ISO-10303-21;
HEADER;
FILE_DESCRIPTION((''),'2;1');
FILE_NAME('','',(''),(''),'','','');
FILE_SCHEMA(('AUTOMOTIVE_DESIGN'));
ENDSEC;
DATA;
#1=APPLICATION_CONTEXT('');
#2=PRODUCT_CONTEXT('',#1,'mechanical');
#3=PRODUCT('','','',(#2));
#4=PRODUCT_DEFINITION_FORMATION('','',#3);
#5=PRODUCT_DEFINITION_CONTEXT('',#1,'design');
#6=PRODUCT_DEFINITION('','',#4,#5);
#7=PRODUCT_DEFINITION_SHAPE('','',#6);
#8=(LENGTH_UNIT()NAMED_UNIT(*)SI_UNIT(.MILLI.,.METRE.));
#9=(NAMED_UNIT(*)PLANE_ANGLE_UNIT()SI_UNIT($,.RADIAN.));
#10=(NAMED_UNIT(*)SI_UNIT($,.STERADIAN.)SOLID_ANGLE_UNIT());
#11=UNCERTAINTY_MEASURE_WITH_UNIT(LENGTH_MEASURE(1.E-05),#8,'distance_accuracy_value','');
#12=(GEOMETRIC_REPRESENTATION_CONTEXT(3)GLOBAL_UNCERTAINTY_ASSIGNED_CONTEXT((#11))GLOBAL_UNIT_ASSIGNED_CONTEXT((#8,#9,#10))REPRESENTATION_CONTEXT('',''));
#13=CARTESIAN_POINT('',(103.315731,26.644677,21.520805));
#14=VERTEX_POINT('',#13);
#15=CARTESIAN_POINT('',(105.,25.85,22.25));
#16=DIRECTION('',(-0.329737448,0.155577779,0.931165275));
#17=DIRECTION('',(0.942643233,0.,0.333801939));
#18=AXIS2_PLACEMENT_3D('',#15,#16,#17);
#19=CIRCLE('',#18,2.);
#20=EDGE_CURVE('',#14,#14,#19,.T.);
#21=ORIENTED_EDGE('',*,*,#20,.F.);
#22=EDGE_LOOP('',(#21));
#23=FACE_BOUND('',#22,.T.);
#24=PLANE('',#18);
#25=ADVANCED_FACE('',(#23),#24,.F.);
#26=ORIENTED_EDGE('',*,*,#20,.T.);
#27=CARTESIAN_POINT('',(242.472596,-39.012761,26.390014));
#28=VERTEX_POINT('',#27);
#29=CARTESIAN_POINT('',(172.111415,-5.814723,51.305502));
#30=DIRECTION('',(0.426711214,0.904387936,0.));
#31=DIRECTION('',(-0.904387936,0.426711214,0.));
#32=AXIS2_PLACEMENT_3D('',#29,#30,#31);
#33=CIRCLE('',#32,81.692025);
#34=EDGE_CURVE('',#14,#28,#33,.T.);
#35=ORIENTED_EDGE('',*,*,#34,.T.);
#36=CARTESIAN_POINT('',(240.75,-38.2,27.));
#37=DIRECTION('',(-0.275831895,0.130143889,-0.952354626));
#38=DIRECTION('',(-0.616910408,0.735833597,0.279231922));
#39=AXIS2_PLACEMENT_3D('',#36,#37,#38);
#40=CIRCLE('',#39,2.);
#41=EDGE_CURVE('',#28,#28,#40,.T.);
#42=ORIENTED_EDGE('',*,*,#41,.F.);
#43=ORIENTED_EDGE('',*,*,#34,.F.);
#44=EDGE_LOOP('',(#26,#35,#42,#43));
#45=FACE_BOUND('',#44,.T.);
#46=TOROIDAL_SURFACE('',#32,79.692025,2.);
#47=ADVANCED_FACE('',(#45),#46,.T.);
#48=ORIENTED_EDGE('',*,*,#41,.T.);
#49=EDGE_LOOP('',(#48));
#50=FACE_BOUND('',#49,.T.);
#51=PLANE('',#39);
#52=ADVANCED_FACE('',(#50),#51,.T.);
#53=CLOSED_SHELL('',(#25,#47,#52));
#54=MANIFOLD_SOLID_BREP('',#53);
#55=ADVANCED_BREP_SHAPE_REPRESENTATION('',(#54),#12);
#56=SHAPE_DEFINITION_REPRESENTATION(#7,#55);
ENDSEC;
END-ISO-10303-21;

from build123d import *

# Parameters (mm, degrees)
SWEEP1_PROFILE_R = 2


with BuildPart() as part:
    # Sweep1: sweep along a path in Sketch2
    with BuildLine(Plane(origin=(29.094495803, 61.663978223, 0), x_dir=(0.9043879364804229, -0.426711214228877, 0), z_dir=(0.426711214228877, 0.9043879364804229, 0))) as sweep1_path:
        ThreePointArc((83.930248443, -22.25), (155.616082836, -130.957654098), (234.031764091, -27))
    # Sweep1 profile (on start of the path) → Sweep1 (sweep)
    with BuildSketch(Plane(origin=(105, 25.85, 22.25), x_dir=(0.942643233477194, 0, 0.33380193884946285), z_dir=(-0.3297374481014941, 0.15557777938048117, 0.9311652752774627))):
        Circle(SWEEP1_PROFILE_R)
    sweep(path=sweep1_path.line)


solid = part.part
